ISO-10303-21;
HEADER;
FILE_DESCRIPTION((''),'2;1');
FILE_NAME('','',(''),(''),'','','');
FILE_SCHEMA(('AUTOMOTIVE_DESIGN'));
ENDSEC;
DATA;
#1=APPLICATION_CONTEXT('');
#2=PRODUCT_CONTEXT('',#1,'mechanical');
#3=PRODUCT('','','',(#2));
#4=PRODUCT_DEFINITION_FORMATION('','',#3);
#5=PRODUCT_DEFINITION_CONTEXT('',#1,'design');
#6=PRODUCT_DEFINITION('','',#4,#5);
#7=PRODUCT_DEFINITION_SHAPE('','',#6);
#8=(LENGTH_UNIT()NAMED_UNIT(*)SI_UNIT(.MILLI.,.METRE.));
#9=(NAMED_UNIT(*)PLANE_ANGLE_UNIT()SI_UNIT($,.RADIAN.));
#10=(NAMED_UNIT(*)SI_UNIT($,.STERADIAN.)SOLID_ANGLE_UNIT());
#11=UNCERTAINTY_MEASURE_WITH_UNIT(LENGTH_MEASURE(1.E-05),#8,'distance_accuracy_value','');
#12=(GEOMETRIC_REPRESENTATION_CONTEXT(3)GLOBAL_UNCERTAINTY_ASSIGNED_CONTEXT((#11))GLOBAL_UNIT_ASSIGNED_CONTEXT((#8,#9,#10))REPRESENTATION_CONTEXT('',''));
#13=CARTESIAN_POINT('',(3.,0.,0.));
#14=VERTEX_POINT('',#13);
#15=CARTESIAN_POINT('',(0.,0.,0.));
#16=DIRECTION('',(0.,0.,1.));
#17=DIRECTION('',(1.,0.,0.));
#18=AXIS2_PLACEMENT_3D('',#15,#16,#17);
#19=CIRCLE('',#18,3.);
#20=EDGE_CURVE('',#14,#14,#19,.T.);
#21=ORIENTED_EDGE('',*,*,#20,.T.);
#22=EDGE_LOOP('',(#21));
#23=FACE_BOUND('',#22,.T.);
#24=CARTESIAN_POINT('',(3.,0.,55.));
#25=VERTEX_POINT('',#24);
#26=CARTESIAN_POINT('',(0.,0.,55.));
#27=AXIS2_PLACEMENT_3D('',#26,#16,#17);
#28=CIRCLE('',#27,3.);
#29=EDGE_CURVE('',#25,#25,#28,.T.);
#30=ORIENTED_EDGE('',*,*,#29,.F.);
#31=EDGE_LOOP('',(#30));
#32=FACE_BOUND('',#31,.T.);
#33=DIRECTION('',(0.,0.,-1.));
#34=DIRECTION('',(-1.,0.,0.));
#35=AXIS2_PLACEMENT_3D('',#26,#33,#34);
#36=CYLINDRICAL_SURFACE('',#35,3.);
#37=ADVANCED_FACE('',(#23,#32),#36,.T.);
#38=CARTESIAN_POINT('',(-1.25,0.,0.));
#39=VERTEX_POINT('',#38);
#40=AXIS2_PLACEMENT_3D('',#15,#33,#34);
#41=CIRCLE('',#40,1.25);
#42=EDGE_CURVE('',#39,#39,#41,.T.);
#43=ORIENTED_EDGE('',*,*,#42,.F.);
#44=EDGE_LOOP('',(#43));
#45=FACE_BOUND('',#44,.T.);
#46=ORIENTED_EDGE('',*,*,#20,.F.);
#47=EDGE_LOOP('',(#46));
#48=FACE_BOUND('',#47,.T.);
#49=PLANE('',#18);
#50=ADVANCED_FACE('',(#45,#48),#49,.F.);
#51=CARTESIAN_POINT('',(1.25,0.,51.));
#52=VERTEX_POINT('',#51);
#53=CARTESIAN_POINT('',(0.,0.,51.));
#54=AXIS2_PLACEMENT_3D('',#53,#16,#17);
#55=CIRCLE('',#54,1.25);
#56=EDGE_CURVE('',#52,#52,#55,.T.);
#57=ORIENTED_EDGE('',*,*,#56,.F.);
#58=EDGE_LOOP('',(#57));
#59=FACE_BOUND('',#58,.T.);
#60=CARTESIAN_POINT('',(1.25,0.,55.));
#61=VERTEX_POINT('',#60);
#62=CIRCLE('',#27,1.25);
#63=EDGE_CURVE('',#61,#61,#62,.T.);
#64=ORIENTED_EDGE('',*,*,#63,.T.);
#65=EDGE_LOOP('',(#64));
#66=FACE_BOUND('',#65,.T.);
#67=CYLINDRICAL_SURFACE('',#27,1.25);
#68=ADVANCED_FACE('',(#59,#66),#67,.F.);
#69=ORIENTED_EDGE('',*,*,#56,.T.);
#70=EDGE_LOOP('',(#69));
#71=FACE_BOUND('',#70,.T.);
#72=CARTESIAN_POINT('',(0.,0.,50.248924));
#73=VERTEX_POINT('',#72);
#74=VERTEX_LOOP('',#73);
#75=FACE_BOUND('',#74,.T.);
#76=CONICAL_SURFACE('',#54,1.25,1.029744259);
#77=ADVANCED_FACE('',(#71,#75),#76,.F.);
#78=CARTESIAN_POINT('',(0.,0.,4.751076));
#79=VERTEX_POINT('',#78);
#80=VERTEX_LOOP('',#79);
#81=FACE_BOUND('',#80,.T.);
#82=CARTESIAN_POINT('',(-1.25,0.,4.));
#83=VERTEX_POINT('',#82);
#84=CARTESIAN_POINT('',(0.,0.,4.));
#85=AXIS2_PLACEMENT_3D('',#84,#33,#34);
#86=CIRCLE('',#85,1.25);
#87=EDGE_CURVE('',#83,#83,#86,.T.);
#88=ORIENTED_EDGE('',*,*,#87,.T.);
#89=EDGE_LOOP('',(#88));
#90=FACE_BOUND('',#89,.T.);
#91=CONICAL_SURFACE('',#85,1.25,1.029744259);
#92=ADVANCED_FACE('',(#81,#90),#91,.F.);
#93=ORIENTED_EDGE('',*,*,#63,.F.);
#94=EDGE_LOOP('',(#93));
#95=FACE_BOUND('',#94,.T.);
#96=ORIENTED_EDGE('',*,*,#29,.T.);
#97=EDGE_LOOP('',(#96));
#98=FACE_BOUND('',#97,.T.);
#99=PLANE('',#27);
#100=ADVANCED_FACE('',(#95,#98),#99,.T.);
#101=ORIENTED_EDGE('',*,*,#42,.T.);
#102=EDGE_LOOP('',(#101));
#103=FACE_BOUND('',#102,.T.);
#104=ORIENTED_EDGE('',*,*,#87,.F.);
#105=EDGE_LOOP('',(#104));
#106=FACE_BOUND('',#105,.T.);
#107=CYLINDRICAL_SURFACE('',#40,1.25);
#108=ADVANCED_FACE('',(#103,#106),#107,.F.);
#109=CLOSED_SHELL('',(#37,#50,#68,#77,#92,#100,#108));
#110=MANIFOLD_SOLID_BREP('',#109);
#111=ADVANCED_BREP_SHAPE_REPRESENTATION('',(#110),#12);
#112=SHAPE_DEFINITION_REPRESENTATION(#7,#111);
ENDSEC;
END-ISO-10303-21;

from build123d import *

# Parameters (mm, degrees)
ESBO_O1_R                                   = 3
RESSALTO_EXTRUS_O1_DEPTH                    = 55
BROCA_DE_ROSQUEAR_PARA_TARRAXA_DE_M32_D     = 2.5
BROCA_DE_ROSQUEAR_PARA_TARRAXA_DE_M32_DEPTH = 4
BROCA_DE_ROSQUEAR_PARA_TARRAXA_DE_M32_TIP   = 0.751075774
BROCA_DE_ROSQUEAR_PARA_TARRAXA_DE_M31_D     = 2.5
BROCA_DE_ROSQUEAR_PARA_TARRAXA_DE_M31_DEPTH = 4
BROCA_DE_ROSQUEAR_PARA_TARRAXA_DE_M31_TIP   = 0.751075774


with BuildPart() as part:
    # Esboço1 → Ressalto-extrusão1 (new body)
    with BuildSketch(Plane.XY):
        Circle(ESBO_O1_R)
    extrude(amount=RESSALTO_EXTRUS_O1_DEPTH)

    # Broca de rosquear para tarraxa de M32
    with Locations(Plane.XY.offset(55)):
        with Locations((0, 0)):
            Hole(BROCA_DE_ROSQUEAR_PARA_TARRAXA_DE_M32_D / 2, depth=BROCA_DE_ROSQUEAR_PARA_TARRAXA_DE_M32_DEPTH)
            with Locations((0, 0, -(BROCA_DE_ROSQUEAR_PARA_TARRAXA_DE_M32_DEPTH + BROCA_DE_ROSQUEAR_PARA_TARRAXA_DE_M32_TIP / 2))):  # 118° drill point
                Cone(0, BROCA_DE_ROSQUEAR_PARA_TARRAXA_DE_M32_D / 2, BROCA_DE_ROSQUEAR_PARA_TARRAXA_DE_M32_TIP, mode=Mode.SUBTRACT)

    # Broca de rosquear para tarraxa de M31
    with Locations(Plane(origin=(0, 0, 0), x_dir=(-1, 0, 0), z_dir=(0, 0, -1))):
        with Locations((0, 0)):
            Hole(BROCA_DE_ROSQUEAR_PARA_TARRAXA_DE_M31_D / 2, depth=BROCA_DE_ROSQUEAR_PARA_TARRAXA_DE_M31_DEPTH)
            with Locations((0, 0, -(BROCA_DE_ROSQUEAR_PARA_TARRAXA_DE_M31_DEPTH + BROCA_DE_ROSQUEAR_PARA_TARRAXA_DE_M31_TIP / 2))):  # 118° drill point
                Cone(0, BROCA_DE_ROSQUEAR_PARA_TARRAXA_DE_M31_D / 2, BROCA_DE_ROSQUEAR_PARA_TARRAXA_DE_M31_TIP, mode=Mode.SUBTRACT)


solid = part.part
